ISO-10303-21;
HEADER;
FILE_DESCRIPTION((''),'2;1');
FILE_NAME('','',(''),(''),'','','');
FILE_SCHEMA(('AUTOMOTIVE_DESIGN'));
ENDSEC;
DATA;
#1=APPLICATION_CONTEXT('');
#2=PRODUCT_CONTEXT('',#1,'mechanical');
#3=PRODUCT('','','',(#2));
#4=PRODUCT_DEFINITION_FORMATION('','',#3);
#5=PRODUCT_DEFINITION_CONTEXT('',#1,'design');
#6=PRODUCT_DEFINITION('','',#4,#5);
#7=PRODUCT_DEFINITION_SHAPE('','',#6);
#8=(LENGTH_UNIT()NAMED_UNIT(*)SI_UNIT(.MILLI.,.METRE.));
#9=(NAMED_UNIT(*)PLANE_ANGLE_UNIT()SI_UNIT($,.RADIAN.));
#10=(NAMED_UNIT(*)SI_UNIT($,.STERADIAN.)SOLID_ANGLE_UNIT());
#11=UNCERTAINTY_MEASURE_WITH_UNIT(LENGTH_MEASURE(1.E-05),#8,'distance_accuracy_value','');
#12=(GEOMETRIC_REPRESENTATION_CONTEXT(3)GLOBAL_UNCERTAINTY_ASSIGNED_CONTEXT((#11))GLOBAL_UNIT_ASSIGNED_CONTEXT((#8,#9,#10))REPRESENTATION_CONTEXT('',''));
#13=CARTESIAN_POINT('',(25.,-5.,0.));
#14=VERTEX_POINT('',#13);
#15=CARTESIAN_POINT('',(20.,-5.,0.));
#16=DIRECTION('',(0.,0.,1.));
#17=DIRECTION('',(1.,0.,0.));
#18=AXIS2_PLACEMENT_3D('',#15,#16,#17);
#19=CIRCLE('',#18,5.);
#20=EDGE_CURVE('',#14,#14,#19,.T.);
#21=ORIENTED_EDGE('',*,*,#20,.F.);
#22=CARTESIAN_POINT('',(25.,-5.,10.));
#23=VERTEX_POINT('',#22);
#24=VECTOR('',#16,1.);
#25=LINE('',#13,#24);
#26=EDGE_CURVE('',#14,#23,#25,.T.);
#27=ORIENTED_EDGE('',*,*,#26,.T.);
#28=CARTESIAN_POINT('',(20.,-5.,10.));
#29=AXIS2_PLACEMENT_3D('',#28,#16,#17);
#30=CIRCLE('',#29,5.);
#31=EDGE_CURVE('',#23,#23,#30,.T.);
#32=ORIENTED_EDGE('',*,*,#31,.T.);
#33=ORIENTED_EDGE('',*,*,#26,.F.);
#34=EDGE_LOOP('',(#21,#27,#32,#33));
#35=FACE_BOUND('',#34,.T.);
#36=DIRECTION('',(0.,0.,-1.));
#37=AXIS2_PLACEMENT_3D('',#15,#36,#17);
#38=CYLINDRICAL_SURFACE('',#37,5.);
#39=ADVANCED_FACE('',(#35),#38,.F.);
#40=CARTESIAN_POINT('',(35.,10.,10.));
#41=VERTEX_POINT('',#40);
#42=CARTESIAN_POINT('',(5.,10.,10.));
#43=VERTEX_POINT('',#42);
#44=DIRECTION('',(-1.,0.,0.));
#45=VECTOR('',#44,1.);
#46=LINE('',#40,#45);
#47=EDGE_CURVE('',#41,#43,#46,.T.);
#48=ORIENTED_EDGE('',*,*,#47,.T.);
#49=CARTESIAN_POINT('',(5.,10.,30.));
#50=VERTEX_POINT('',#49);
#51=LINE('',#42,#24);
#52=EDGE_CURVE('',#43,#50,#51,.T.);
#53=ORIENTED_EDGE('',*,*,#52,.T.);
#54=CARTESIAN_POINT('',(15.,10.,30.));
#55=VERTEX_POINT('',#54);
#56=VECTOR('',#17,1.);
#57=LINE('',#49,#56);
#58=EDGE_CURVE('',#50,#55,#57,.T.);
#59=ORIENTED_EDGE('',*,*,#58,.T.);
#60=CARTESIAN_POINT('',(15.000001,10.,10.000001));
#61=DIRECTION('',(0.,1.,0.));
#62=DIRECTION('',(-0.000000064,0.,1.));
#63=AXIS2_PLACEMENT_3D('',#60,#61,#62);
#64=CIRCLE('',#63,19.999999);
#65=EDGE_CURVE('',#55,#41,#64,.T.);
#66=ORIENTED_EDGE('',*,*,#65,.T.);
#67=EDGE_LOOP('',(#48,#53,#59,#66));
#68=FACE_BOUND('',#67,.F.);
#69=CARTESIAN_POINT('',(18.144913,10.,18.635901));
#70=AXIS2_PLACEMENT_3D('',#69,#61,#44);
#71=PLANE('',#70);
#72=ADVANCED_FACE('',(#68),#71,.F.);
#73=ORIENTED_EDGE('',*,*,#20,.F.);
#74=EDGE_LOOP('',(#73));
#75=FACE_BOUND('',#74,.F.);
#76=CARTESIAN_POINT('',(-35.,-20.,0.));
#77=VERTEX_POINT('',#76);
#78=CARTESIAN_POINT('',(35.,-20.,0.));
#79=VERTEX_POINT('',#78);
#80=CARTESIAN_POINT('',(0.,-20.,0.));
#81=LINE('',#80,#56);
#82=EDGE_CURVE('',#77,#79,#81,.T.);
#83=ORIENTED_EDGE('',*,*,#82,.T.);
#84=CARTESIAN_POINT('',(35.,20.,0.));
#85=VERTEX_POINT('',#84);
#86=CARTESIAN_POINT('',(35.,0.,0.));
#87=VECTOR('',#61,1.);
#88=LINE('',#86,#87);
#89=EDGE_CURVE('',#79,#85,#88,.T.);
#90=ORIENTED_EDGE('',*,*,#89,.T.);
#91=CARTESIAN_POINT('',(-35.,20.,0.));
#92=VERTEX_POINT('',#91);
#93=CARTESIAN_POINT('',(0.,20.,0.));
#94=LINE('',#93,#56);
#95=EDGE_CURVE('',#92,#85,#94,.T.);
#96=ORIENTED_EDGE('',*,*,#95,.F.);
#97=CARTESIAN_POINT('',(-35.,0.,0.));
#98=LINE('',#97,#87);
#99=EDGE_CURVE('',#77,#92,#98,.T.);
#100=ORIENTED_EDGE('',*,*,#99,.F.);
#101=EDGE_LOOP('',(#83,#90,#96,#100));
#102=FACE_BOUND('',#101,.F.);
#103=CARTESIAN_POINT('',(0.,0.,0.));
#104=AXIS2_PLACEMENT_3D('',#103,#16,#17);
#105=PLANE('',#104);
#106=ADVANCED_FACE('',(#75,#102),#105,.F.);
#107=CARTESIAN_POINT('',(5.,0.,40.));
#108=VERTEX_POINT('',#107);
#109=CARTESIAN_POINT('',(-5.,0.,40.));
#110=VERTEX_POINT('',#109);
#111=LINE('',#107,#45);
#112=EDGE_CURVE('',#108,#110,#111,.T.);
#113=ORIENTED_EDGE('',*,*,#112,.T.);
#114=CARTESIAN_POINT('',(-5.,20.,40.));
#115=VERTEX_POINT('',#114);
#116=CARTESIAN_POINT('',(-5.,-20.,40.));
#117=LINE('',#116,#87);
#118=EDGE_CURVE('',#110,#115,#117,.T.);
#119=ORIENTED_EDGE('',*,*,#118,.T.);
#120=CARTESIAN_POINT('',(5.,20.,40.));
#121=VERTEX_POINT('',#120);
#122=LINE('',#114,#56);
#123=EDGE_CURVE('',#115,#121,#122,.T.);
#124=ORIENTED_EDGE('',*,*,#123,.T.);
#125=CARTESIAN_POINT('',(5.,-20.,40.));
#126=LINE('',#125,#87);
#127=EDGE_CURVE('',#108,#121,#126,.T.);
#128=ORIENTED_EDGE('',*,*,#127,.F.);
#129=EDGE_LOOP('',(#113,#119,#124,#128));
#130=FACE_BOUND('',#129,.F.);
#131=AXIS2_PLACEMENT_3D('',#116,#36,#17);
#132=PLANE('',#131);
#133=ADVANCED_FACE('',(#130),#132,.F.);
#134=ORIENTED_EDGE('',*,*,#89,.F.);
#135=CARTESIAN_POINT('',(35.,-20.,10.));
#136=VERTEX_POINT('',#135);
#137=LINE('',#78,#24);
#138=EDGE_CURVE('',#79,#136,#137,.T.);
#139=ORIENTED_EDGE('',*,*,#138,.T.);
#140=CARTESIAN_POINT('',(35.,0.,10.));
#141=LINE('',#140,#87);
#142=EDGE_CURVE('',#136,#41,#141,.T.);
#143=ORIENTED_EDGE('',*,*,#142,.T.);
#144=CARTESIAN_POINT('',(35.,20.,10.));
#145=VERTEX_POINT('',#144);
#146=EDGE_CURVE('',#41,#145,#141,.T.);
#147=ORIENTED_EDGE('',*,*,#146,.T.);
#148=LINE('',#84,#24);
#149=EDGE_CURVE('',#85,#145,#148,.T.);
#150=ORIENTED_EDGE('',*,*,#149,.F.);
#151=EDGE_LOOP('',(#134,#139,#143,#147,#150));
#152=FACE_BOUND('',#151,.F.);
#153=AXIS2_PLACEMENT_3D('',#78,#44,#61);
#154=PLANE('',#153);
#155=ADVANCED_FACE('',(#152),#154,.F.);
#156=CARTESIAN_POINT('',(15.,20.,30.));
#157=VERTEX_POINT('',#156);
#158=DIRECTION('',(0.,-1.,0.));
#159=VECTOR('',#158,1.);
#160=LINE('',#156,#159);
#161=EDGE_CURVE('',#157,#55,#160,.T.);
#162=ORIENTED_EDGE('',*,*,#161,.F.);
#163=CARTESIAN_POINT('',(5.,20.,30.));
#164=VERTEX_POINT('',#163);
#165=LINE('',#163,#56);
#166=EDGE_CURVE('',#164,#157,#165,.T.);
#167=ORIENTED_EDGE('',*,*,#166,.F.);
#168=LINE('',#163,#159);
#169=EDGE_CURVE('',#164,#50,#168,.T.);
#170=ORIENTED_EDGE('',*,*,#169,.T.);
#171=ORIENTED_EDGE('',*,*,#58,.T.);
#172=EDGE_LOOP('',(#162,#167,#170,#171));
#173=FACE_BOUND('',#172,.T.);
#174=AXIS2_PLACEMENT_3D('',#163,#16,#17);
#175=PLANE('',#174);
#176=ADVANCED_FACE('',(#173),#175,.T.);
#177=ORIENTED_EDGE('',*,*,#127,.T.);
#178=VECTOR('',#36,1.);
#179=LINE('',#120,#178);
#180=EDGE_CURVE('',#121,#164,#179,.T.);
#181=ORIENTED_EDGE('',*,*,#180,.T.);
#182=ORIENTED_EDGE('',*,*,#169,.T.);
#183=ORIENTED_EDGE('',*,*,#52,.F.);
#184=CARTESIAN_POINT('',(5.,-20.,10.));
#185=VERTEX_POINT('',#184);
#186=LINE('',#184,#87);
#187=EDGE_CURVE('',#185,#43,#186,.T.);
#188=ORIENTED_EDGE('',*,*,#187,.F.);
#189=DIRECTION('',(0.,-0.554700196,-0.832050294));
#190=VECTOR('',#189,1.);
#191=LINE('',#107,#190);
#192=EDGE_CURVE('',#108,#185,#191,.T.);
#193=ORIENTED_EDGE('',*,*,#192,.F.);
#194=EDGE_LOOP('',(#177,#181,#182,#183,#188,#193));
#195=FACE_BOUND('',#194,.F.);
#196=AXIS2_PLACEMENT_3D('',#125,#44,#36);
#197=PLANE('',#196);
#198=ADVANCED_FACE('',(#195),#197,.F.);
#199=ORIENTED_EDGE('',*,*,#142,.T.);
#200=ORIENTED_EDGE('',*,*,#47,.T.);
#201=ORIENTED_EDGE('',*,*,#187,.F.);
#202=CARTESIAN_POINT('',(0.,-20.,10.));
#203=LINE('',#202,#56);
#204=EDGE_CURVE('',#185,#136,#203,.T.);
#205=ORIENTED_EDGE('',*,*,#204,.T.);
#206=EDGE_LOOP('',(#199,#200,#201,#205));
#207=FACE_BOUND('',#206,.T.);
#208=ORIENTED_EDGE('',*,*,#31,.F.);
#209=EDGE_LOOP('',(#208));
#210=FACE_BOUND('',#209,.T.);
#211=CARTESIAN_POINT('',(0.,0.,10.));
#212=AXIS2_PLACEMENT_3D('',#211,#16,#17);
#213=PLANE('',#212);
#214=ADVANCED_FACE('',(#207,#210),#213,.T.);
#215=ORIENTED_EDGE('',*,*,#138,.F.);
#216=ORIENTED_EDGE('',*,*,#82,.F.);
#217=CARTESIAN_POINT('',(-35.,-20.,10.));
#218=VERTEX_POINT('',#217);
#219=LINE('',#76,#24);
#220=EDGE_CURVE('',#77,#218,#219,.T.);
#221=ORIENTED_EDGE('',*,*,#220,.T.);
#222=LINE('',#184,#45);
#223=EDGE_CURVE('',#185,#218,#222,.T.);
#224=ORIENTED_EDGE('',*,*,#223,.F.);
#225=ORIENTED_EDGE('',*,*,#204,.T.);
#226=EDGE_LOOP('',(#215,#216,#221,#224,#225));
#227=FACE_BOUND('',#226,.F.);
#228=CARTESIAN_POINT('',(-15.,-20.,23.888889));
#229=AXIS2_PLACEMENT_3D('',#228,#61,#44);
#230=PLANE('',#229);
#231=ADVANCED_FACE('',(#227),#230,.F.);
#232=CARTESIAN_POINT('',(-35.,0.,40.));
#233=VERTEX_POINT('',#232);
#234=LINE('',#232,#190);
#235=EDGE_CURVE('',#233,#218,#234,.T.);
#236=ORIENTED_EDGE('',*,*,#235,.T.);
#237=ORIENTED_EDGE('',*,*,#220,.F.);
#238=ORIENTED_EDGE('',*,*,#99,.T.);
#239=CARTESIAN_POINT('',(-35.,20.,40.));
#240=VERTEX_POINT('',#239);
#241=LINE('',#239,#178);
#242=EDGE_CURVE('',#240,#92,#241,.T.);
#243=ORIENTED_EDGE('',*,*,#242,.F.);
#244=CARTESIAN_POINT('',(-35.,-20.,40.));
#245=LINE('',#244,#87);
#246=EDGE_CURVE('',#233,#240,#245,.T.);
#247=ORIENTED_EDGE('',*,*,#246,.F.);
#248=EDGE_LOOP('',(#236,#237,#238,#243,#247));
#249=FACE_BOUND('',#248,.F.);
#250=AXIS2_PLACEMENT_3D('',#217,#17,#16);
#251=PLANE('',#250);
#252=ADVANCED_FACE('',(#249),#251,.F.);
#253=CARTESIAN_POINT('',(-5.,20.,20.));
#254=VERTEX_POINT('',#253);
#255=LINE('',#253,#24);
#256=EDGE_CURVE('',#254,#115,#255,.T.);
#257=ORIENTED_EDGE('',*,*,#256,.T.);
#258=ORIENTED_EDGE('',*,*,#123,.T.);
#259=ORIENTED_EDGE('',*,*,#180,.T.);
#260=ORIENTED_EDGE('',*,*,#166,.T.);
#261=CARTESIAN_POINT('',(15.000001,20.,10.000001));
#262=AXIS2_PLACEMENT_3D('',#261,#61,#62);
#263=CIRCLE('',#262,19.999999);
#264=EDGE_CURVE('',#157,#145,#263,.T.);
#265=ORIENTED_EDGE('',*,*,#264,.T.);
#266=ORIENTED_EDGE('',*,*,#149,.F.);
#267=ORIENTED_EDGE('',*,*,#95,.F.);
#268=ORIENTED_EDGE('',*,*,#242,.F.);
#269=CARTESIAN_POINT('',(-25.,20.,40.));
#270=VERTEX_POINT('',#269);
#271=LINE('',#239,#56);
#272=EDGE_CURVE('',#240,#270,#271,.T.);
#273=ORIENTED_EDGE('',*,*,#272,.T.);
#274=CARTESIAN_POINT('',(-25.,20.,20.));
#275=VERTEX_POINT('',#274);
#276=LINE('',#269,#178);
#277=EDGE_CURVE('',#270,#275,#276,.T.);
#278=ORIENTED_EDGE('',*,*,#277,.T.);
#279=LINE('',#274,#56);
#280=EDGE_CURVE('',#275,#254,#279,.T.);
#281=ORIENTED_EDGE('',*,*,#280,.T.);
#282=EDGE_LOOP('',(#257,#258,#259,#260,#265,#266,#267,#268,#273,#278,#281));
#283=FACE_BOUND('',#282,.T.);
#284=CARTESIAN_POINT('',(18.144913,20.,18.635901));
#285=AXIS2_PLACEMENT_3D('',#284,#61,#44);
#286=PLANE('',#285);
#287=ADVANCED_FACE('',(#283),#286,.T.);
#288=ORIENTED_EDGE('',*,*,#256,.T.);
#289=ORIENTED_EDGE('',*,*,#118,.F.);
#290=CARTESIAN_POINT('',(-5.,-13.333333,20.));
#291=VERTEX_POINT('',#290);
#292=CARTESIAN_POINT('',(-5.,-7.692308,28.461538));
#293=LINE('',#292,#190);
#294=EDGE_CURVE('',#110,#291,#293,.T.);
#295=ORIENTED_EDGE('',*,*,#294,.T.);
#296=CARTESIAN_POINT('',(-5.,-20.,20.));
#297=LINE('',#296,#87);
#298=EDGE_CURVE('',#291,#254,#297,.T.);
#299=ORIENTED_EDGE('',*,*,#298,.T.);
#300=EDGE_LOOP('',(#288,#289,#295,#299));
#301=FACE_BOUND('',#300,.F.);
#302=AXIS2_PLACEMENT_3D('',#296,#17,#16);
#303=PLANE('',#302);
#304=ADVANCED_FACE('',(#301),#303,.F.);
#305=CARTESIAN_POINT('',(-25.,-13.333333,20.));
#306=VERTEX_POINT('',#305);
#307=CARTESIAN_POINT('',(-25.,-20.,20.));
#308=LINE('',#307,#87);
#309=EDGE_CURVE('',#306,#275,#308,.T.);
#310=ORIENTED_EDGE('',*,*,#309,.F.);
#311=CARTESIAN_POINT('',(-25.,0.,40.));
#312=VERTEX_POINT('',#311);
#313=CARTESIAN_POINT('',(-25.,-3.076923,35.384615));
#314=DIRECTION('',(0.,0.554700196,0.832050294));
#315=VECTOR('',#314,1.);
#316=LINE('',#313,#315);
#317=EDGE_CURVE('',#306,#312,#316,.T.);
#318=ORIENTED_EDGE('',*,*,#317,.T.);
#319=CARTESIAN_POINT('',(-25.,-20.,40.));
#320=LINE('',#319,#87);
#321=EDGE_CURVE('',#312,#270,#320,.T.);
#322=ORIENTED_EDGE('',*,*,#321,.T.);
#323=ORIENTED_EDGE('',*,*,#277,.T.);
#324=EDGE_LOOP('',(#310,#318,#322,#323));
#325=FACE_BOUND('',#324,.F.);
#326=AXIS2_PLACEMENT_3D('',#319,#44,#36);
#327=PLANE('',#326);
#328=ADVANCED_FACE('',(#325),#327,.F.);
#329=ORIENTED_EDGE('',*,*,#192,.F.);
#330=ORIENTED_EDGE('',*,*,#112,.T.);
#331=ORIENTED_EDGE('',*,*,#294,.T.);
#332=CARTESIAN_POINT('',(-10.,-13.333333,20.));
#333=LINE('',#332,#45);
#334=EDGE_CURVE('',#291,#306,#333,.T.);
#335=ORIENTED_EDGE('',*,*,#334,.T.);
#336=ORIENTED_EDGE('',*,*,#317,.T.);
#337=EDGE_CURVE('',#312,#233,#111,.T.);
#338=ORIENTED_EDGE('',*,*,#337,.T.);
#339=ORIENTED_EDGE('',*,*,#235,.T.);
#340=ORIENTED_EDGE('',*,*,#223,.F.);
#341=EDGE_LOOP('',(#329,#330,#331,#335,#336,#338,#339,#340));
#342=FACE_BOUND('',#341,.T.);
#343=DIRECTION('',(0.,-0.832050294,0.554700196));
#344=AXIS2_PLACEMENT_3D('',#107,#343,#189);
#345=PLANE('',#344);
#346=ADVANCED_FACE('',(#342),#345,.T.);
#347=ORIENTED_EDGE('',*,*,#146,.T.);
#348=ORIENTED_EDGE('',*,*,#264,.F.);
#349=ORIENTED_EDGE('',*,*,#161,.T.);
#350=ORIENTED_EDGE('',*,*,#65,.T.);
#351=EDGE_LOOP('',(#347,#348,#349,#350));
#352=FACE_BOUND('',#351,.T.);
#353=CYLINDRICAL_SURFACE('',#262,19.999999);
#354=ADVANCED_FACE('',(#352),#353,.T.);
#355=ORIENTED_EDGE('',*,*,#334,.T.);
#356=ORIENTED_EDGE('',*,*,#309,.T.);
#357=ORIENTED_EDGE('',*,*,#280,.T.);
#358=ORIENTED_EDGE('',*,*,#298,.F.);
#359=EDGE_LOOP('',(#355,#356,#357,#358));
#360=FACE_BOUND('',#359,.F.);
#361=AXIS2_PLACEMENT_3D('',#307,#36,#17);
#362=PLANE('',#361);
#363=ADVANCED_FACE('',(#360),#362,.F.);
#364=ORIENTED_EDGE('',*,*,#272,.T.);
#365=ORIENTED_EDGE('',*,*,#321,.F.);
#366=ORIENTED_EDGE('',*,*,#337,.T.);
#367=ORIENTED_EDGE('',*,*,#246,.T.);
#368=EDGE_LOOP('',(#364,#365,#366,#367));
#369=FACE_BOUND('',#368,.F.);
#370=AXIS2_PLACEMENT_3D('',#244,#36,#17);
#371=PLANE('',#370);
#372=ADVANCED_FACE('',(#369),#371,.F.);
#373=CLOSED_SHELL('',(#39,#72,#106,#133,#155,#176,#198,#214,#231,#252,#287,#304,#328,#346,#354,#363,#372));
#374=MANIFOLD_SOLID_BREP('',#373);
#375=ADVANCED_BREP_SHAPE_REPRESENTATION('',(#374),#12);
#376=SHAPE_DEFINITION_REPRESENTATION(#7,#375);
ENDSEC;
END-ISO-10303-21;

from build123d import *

# Parameters (mm, degrees)
SKETCH_W     = 70
SKETCH_H     = 40
SKETCH_R     = 5
PAD_DEPTH    = 10
PAD001_DEPTH = 40
POCKET_DEPTH = 40
PAD002_DEPTH = 10


with BuildPart() as part:
    # Sketch → Pad (new body)
    with BuildSketch(Plane.XY):
        Rectangle(SKETCH_W, SKETCH_H)
        with Locations((20, -5)):
            Circle(SKETCH_R, mode=Mode.SUBTRACT)
    extrude(amount=PAD_DEPTH)

    # Sketch001 (on Face2 of Pad) → Pad001 (join)
    with BuildSketch(Plane.XZ.offset(20)):
        Polygon((-35, 10), (-35, 40), (-25, 40), (-25, 20), (-5, 20), (-5, 40), (5, 40), (5, 10), align=None)
    extrude(amount=-PAD001_DEPTH)

    # Sketch002 (on Face12 of Pad001) → Pocket (cut)
    with BuildSketch(Plane.YZ.offset(5)):
        Polygon((0, 40), (-20, 10), (-20, 40), align=None)
    extrude(amount=-POCKET_DEPTH, mode=Mode.SUBTRACT)

    # Sketch003 (on Face2 of Pocket) → Pad002 (join)
    with BuildSketch(Plane(origin=(0, 20, 0), x_dir=(-1, 0, 0), z_dir=(0, 1, 0))):
        with BuildLine():
            Line((-5, 10), (-5, 30))
            Line((-5, 30), (-15, 30))
            ThreePointArc((-15, 30), (-29.142136, 24.142136), (-35, 10))
            Line((-35, 10), (-5, 10))
        make_face()
    extrude(amount=-PAD002_DEPTH)


solid = part.part
